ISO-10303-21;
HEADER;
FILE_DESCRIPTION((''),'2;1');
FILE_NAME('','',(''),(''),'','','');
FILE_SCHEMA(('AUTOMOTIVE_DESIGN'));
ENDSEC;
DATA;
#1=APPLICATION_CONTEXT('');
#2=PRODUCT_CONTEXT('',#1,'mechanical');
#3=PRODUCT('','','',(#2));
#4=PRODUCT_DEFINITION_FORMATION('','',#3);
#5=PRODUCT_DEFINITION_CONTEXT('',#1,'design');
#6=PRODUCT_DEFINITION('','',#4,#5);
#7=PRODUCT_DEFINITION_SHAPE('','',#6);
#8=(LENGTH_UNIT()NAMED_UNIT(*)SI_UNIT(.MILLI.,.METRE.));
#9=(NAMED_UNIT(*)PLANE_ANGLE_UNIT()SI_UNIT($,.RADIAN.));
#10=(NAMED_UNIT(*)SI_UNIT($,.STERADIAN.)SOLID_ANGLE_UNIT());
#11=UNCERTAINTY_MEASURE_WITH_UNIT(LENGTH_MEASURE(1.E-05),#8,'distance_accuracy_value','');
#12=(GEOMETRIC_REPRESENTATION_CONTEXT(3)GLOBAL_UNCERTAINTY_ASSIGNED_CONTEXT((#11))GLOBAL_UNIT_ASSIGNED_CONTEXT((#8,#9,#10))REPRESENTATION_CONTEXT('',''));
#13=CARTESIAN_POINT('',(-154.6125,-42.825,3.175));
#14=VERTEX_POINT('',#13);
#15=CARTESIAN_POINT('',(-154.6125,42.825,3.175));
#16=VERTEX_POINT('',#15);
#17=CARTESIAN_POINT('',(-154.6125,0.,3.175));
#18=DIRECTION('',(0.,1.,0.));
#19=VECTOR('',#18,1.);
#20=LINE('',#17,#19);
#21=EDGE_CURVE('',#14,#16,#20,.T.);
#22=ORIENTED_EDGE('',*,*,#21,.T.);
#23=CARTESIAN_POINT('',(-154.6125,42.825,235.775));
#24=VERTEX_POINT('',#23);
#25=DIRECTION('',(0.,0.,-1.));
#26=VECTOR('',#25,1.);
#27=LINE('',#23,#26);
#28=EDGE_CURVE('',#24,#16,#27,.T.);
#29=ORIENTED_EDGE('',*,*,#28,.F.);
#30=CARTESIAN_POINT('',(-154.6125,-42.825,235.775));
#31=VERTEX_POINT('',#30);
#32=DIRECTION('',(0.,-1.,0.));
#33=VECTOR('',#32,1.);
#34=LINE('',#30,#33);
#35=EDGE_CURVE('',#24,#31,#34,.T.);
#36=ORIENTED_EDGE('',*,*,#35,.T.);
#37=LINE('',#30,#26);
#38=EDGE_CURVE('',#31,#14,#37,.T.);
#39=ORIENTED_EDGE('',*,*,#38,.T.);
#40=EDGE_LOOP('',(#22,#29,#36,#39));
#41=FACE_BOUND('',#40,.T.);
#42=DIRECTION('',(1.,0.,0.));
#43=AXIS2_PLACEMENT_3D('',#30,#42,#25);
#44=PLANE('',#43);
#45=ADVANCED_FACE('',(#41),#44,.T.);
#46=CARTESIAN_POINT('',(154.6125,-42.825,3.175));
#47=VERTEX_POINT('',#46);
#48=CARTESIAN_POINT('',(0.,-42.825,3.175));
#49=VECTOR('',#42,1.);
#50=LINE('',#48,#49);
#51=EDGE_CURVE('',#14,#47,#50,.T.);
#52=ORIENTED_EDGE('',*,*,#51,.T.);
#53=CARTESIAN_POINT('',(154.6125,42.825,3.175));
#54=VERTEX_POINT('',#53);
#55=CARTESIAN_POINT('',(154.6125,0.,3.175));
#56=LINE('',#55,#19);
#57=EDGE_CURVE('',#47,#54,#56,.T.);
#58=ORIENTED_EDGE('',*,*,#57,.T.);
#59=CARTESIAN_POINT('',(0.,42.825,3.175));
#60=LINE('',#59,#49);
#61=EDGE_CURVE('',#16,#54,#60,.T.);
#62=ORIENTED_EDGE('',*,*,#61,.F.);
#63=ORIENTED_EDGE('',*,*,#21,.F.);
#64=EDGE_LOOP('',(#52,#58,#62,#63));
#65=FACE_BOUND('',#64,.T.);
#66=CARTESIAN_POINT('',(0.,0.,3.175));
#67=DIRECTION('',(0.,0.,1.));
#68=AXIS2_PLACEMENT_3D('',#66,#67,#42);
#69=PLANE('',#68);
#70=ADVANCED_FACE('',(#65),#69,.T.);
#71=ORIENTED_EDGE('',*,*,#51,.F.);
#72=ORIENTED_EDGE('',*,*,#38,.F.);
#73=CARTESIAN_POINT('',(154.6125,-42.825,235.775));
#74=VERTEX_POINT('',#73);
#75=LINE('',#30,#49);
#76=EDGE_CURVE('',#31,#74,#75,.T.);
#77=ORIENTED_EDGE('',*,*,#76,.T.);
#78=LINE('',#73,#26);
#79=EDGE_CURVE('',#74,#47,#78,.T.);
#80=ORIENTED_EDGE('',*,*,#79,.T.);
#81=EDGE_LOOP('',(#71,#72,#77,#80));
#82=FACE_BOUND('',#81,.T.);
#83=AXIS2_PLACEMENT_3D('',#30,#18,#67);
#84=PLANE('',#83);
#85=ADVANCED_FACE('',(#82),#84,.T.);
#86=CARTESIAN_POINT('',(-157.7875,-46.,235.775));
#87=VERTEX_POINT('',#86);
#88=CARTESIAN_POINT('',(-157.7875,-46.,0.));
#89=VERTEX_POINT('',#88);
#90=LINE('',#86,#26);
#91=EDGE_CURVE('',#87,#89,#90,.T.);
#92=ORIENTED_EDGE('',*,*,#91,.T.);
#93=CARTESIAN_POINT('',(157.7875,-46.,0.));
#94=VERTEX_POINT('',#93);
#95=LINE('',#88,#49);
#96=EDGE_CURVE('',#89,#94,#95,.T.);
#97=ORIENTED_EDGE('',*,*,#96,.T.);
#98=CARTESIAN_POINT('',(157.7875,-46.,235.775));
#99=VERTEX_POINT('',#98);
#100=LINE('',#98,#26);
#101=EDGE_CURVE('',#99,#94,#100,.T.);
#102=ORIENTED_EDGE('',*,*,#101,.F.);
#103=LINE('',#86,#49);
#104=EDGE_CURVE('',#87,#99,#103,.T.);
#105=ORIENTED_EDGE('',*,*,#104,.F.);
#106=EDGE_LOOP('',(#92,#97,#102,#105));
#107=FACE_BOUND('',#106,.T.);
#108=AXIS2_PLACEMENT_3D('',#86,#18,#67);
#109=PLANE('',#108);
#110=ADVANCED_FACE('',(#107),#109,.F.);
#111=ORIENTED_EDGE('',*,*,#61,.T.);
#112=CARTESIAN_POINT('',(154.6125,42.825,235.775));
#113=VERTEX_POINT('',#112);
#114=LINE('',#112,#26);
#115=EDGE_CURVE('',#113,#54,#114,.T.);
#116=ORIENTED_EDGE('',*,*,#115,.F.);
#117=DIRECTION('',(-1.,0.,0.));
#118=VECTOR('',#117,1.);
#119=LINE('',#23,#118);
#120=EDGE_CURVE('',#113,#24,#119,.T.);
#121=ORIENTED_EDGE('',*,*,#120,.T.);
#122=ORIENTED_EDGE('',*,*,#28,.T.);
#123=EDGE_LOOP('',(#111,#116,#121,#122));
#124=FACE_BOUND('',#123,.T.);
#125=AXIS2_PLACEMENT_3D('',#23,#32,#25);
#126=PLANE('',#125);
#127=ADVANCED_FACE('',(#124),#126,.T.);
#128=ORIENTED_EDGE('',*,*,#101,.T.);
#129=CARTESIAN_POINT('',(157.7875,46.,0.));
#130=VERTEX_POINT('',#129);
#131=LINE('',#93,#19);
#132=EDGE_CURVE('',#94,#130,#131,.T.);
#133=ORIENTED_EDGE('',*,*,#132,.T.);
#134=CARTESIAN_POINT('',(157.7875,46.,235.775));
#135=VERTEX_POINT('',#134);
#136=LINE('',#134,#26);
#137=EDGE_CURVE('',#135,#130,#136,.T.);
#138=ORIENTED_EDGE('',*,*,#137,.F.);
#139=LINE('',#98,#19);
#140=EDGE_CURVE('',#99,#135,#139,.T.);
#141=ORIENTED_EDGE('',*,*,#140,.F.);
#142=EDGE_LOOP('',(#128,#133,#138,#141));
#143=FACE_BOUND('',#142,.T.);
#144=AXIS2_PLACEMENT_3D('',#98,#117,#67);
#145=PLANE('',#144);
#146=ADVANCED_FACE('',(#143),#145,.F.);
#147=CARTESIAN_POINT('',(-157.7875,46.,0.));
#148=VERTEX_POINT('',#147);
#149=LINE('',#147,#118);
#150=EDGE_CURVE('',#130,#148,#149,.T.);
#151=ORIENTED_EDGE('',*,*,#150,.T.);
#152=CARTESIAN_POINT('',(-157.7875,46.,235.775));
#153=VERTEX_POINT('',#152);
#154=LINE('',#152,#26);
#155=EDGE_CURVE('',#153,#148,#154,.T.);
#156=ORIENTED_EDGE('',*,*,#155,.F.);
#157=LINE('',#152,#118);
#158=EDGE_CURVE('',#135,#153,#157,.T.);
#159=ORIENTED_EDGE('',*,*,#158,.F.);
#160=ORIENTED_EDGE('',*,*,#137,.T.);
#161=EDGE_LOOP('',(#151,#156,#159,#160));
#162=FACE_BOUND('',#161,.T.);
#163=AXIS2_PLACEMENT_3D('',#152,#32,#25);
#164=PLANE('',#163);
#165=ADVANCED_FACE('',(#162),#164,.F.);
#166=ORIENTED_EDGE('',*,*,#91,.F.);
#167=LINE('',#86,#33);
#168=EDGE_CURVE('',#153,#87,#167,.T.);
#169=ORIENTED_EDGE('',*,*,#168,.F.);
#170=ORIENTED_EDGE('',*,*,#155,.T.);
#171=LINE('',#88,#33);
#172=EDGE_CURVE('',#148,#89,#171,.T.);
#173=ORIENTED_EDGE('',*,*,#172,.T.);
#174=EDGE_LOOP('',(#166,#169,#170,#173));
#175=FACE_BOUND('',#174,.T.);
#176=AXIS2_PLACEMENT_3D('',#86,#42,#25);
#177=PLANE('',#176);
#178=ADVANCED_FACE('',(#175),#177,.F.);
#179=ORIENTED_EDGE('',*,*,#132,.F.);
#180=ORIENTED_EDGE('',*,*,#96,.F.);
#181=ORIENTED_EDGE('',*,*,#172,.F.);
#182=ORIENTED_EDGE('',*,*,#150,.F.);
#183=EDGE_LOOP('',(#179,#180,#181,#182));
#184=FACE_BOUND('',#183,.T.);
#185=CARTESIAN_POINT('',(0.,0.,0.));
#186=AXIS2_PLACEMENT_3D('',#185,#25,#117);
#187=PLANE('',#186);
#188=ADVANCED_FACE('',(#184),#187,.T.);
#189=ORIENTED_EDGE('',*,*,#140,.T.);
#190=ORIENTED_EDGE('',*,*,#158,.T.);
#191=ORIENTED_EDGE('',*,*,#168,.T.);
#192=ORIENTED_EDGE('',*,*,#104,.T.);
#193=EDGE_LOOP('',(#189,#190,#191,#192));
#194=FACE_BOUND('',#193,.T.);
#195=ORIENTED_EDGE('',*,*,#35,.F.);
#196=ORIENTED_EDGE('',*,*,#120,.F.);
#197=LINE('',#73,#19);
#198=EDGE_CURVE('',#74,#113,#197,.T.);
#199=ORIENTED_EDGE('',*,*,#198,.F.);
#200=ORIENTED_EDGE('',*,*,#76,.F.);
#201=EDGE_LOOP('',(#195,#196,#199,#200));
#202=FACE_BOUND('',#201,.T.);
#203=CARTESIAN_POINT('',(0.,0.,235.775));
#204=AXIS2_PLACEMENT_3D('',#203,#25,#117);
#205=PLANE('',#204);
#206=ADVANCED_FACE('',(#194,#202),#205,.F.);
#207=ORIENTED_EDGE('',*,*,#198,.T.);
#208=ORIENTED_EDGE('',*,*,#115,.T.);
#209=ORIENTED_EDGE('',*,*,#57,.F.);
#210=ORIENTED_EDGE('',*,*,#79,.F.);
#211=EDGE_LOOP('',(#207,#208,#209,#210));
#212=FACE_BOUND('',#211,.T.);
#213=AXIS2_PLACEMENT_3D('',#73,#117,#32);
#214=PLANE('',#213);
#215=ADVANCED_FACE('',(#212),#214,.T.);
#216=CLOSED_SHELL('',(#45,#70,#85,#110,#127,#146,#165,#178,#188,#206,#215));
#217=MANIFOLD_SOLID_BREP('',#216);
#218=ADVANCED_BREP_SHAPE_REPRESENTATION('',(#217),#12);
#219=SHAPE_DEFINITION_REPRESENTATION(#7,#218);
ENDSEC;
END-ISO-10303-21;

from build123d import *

# Parameters (mm, degrees)
SKETCH1_W           = 315.575
SKETCH1_H           = 92
SKETCH1_W_2         = 309.225
SKETCH1_H_2         = 85.65
BOSS_EXTRUDE1_DEPTH = 235.775
SKETCH1_2_W         = 309.225
SKETCH1_2_H         = 85.65
BOSS_EXTRUDE2_DEPTH = 3.175


with BuildPart() as part:
    # Sketch1 → Boss-Extrude1 (new body)
    with BuildSketch(Plane.XY):
        Rectangle(SKETCH1_W, SKETCH1_H)
        Rectangle(SKETCH1_W_2, SKETCH1_H_2, mode=Mode.SUBTRACT)
    extrude(amount=BOSS_EXTRUDE1_DEPTH)

    # Sketch1<2> → Boss-Extrude2 (add)
    with BuildSketch(Plane.XY):
        Rectangle(SKETCH1_2_W, SKETCH1_2_H)
    extrude(amount=BOSS_EXTRUDE2_DEPTH)


solid = part.part
